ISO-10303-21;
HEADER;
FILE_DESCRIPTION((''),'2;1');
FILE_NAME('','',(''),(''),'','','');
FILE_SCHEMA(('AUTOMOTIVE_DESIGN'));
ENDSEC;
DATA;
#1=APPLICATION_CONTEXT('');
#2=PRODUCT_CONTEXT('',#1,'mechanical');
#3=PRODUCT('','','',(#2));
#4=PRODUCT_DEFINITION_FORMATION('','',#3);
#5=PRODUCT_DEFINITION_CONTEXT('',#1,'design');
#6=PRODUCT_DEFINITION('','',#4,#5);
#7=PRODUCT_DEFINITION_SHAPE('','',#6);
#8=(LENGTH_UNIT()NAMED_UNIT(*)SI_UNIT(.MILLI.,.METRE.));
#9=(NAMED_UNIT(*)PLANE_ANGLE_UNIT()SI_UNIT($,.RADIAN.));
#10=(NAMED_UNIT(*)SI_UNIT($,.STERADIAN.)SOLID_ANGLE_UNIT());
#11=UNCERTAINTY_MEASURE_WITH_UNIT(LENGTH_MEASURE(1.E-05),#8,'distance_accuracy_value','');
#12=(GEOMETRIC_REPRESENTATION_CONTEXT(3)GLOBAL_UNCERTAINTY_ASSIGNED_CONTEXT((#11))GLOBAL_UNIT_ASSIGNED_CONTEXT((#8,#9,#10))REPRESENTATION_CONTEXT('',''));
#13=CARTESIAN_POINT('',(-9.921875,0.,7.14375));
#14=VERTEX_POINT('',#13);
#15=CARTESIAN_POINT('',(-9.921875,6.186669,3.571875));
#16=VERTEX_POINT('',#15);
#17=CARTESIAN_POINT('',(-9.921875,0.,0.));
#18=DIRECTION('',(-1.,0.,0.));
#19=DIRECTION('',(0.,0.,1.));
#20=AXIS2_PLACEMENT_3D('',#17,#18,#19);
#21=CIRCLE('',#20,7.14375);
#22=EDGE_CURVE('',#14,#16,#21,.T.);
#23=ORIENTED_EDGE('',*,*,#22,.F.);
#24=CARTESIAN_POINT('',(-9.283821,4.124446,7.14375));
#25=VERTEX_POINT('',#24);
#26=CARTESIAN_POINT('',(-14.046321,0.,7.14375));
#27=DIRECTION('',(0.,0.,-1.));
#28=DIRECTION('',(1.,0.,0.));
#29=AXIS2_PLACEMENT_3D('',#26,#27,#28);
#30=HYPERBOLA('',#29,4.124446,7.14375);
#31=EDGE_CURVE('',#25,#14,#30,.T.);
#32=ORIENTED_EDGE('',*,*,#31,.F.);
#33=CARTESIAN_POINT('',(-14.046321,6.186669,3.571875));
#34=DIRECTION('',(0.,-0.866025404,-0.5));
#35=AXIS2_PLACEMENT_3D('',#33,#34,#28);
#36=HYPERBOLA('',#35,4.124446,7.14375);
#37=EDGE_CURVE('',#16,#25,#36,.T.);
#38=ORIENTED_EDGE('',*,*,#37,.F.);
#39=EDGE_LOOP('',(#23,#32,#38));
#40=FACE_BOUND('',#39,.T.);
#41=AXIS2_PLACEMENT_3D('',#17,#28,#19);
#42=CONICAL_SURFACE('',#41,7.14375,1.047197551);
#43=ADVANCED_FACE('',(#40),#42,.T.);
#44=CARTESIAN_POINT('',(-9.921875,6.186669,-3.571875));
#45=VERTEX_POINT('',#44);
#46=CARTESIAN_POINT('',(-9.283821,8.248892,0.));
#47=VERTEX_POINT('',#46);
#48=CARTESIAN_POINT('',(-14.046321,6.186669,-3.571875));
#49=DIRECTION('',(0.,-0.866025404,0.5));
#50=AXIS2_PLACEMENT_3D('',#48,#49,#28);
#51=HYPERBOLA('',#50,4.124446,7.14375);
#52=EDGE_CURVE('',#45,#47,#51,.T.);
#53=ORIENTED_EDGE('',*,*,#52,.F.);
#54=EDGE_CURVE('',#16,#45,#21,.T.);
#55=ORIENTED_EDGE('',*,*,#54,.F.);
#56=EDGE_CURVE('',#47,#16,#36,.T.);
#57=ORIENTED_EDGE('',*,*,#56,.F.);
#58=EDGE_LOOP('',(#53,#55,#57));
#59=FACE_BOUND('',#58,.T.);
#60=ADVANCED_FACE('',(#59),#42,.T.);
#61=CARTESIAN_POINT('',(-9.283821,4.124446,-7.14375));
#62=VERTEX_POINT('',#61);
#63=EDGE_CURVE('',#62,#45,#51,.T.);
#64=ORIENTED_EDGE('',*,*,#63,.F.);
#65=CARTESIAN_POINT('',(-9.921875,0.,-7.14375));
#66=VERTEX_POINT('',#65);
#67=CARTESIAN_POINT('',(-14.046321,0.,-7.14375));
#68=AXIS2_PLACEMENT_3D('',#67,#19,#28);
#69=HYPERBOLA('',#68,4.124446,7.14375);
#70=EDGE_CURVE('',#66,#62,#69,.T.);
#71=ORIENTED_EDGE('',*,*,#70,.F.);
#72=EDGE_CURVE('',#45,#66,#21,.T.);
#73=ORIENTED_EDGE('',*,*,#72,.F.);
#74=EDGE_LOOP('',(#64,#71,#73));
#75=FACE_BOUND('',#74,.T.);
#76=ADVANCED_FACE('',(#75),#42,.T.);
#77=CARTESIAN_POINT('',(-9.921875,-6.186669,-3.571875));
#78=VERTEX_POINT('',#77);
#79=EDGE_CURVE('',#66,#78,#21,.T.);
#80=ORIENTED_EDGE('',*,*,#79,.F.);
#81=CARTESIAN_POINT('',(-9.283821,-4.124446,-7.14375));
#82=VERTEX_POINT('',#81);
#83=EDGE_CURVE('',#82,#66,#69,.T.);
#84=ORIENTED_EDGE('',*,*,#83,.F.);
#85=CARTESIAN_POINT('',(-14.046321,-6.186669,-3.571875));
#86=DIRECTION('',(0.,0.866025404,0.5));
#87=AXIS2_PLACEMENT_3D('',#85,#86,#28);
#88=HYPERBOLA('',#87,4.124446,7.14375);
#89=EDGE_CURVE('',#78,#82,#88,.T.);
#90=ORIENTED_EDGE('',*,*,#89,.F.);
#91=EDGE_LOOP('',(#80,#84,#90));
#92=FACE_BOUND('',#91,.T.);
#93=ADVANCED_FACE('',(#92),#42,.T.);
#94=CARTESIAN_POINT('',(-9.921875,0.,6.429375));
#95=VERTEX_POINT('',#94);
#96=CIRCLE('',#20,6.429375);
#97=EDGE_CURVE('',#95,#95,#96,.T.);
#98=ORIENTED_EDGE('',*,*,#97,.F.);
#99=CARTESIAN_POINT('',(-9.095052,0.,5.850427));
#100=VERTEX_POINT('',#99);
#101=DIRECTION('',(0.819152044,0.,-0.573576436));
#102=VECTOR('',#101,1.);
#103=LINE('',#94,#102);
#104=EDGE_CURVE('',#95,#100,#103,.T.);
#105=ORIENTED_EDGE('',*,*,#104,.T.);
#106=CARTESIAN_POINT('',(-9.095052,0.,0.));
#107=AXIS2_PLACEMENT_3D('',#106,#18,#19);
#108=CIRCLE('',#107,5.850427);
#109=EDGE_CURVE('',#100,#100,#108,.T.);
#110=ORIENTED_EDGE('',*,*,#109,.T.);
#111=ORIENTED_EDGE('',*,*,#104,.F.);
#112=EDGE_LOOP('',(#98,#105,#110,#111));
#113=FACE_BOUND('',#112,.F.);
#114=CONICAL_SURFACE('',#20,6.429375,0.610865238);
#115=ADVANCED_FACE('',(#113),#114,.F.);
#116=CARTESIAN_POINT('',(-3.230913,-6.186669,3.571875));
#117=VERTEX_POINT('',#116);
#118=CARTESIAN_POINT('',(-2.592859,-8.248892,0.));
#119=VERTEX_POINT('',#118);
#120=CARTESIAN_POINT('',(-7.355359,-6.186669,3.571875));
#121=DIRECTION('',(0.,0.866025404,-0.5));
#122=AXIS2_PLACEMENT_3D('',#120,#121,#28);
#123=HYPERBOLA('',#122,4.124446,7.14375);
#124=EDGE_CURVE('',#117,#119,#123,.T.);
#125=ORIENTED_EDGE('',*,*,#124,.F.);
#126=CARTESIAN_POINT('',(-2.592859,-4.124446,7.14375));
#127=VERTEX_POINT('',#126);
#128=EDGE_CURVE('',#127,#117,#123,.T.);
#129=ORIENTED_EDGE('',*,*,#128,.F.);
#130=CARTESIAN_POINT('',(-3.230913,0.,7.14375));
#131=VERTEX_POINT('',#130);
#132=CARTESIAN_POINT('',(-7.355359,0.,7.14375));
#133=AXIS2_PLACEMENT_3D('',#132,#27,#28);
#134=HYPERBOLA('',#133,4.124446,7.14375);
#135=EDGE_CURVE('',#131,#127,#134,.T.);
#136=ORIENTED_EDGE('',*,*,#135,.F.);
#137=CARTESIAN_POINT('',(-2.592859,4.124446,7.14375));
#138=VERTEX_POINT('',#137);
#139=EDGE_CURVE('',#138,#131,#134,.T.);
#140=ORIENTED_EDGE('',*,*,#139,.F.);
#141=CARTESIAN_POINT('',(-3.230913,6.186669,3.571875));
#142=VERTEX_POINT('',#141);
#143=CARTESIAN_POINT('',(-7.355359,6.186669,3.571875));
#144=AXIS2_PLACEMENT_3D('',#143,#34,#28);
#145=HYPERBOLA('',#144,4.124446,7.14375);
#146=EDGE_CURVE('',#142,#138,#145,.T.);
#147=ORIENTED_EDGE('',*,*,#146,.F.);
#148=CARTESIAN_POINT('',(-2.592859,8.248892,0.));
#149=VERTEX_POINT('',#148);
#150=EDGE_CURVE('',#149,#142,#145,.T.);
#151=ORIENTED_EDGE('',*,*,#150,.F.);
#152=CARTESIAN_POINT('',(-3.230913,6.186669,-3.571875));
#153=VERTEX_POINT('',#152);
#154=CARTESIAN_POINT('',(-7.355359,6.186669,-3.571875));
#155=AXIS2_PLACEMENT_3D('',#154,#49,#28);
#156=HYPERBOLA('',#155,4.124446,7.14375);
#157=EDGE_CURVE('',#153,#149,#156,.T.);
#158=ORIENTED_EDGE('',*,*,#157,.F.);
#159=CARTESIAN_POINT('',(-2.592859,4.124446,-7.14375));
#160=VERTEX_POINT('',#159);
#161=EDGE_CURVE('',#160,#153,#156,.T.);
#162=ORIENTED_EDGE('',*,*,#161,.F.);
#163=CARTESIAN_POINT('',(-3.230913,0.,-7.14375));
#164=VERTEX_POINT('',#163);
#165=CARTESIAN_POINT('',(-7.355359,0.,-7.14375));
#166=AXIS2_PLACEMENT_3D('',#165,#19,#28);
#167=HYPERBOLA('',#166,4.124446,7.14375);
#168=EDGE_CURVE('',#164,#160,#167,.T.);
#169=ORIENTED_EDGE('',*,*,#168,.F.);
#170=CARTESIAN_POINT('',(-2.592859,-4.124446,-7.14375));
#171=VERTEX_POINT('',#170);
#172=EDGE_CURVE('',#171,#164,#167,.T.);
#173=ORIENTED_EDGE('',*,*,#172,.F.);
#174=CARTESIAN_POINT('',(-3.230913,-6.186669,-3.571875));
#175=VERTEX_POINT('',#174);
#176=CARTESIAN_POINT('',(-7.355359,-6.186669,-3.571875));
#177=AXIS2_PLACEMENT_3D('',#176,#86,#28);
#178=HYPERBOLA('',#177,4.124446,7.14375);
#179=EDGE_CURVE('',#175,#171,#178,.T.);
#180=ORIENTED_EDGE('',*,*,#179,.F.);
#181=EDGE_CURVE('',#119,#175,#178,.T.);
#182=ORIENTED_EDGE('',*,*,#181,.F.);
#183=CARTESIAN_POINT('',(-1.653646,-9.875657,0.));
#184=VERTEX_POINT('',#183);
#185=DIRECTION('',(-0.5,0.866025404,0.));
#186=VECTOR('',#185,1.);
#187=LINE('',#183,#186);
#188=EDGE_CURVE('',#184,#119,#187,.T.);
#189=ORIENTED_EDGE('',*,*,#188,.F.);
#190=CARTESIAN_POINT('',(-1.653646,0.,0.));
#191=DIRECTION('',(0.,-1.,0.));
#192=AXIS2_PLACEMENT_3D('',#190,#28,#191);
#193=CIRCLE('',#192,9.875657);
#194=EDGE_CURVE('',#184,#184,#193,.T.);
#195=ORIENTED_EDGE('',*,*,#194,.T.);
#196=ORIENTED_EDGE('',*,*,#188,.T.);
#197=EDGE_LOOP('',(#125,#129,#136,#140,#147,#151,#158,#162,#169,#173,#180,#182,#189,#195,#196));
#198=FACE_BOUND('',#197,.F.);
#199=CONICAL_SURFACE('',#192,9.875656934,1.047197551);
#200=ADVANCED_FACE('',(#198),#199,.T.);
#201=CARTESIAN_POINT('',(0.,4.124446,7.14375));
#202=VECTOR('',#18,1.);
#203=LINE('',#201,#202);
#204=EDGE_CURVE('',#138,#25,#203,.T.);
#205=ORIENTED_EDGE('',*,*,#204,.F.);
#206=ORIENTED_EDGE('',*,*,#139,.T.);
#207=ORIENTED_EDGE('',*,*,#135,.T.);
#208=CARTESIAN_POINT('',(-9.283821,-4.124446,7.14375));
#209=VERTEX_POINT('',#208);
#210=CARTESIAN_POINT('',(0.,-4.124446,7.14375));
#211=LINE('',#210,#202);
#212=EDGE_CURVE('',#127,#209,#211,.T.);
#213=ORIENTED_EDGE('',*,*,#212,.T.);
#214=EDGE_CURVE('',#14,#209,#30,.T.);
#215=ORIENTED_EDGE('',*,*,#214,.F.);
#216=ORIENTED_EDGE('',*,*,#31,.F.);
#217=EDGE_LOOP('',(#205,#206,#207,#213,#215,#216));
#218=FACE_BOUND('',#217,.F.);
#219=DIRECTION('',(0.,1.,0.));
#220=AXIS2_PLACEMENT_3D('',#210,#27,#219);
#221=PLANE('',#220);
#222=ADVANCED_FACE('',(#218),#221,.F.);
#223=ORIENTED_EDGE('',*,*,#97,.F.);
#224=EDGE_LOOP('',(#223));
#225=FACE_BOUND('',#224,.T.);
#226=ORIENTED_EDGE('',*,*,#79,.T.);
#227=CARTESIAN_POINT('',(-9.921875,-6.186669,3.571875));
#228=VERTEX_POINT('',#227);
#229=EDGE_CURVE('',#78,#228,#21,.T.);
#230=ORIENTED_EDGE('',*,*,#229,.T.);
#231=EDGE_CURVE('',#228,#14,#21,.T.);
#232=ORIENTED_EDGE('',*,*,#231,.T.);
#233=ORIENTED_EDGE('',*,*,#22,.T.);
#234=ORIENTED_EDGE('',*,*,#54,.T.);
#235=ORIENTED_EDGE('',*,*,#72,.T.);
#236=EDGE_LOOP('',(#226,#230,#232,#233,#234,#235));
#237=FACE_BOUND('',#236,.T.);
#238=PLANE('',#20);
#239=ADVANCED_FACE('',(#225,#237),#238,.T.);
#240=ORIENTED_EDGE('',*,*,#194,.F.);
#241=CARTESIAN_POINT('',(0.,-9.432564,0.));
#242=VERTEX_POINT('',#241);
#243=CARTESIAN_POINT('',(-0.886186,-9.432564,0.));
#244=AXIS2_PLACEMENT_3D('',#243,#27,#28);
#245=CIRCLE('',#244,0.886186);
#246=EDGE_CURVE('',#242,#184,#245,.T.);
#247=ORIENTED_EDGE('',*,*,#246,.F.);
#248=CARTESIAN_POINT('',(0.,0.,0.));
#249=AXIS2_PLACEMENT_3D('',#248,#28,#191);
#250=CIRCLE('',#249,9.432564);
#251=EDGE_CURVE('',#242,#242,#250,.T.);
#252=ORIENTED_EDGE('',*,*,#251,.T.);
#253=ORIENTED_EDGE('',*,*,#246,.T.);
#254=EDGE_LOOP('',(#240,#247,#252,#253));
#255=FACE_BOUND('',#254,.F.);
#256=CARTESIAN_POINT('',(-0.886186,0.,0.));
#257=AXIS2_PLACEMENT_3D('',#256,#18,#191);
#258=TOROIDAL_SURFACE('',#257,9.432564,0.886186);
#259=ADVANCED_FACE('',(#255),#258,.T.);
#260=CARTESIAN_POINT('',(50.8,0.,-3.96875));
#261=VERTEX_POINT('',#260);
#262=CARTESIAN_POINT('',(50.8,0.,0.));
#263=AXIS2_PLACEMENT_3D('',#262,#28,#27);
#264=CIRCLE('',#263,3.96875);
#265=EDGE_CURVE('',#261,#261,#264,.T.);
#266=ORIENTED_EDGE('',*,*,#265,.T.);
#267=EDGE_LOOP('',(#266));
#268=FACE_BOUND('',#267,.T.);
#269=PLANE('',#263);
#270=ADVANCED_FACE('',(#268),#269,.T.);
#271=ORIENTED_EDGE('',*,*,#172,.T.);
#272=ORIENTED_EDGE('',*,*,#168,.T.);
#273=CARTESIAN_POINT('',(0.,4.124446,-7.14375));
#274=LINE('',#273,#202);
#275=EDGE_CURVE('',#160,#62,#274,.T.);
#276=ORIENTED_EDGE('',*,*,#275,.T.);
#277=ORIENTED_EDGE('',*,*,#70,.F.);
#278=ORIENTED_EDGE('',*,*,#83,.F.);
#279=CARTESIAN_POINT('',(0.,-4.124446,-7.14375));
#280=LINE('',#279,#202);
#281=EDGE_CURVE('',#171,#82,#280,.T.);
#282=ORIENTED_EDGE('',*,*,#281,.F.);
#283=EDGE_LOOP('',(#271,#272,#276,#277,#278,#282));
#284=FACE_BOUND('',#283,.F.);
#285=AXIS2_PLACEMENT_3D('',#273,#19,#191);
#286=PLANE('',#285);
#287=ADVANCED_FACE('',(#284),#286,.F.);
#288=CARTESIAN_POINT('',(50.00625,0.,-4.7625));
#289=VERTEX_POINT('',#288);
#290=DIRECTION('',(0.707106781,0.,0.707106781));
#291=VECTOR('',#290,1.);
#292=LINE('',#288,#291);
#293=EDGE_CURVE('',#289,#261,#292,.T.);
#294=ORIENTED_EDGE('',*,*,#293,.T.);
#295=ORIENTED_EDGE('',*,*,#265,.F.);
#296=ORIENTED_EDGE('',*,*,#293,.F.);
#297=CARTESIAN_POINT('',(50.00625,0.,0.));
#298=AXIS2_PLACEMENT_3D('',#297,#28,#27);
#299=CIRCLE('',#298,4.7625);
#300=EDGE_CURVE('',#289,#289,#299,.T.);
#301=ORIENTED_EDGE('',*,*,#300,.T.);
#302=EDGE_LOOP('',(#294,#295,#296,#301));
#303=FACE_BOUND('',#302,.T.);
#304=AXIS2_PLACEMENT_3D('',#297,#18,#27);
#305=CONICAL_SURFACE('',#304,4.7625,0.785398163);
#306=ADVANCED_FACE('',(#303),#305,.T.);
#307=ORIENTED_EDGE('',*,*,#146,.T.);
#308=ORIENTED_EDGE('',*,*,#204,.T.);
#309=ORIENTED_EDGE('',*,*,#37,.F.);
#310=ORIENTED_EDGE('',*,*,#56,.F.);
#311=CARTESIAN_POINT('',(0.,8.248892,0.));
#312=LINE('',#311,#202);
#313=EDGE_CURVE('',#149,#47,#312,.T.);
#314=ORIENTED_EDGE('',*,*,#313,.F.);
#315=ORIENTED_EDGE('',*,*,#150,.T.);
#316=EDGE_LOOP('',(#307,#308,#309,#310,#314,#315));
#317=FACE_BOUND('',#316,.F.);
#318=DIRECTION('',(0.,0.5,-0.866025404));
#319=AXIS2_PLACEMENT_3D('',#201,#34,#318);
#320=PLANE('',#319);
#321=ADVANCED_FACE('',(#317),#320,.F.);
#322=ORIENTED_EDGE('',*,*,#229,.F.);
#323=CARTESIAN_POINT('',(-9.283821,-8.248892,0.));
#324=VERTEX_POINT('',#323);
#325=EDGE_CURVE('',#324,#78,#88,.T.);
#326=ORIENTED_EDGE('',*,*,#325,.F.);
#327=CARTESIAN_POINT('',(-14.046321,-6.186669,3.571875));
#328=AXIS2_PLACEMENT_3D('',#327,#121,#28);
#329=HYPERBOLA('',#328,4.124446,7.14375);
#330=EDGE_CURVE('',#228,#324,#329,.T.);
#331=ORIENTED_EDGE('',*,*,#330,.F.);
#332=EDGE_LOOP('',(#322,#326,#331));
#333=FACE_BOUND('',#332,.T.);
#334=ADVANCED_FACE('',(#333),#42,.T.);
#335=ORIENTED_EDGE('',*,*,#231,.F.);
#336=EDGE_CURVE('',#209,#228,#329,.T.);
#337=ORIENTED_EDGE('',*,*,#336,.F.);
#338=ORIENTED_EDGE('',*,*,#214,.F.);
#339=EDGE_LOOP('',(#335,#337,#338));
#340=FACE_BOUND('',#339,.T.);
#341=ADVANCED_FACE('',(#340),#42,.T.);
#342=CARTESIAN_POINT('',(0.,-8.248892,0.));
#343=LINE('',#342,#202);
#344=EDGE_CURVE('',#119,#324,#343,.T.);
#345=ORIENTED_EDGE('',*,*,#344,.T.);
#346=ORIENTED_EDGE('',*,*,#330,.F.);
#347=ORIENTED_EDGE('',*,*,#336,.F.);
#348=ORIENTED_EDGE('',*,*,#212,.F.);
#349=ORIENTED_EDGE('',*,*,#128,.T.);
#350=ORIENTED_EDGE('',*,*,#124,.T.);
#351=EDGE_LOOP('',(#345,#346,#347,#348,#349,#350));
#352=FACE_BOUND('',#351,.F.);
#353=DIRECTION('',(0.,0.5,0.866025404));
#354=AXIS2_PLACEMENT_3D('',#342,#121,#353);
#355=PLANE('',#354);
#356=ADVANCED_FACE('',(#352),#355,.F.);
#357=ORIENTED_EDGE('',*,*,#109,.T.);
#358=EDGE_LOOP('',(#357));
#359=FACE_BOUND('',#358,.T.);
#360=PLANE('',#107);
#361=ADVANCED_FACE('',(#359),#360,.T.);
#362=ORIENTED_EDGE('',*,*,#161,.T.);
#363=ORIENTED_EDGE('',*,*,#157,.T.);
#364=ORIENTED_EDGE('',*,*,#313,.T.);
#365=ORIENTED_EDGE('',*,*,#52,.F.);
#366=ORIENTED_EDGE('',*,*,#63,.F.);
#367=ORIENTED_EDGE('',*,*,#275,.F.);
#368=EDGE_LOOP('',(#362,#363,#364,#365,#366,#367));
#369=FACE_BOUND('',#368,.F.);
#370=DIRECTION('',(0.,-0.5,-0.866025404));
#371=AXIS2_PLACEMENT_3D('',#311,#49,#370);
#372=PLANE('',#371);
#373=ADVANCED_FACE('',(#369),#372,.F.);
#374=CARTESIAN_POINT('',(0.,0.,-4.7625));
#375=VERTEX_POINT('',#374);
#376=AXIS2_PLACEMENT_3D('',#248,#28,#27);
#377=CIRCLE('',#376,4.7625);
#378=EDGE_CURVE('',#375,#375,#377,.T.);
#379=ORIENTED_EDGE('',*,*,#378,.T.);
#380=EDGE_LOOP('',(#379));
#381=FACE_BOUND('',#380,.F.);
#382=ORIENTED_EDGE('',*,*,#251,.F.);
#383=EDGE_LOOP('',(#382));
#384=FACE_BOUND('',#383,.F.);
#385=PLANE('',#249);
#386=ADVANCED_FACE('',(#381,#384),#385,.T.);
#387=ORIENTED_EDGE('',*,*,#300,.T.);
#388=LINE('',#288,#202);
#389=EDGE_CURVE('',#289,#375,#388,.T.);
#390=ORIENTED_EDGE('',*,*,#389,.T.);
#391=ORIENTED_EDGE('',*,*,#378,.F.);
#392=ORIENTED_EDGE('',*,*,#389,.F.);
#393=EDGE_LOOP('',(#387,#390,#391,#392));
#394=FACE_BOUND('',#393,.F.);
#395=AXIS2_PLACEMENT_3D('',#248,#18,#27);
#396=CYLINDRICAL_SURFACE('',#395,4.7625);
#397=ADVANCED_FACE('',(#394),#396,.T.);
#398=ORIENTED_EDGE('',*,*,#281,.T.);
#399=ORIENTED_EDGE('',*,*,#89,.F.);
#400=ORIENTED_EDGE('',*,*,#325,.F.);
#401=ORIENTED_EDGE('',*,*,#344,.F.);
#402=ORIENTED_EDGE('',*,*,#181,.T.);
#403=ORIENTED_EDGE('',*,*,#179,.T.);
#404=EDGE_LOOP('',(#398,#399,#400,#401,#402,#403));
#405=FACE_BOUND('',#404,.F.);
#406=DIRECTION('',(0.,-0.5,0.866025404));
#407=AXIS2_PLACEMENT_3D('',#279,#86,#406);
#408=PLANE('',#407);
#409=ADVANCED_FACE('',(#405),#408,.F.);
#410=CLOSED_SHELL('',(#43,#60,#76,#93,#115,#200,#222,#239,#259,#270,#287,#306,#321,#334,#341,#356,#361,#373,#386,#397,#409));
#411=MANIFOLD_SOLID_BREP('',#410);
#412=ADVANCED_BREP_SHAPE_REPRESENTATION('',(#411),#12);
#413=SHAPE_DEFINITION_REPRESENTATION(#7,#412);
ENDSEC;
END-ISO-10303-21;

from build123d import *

# Parameters (mm, degrees)
SKETCH2_R           = 4.7625
BOSS_EXTRUDE1_DEPTH = 50.8
CHAMFER1_SIZE       = 0.793750063
BOSS_EXTRUDE2_DEPTH = 9.921875
SKETCH5_OUTSIDE_W   = 70.482
SKETCH5_OUTSIDE_H   = 70.482
SKETCH5_OUTSIDE_R   = 7.14375
CUT_EXTRUDE1_DEPTH  = 9.921875
CUT_EXTRUDE1_DRAFT  = -60
SKETCH6_R           = 6.429375
CUT_EXTRUDE2_DEPTH  = 0.826822917
CUT_EXTRUDE2_DRAFT  = -35
SKETCH14_W          = 25.4
SKETCH14_H          = 4.7625


with BuildPart() as part:
    # Sketch2 → Boss-Extrude1 (new body)
    with BuildSketch(Plane(origin=(0, 0, 0), x_dir=(0, 0, -1), z_dir=(1, 0, 0))):
        Circle(SKETCH2_R)
    extrude(amount=BOSS_EXTRUDE1_DEPTH)

    # Chamfer1
    chamfer1_edges = [part.edges().sort_by_distance(p)[0] for p in [
        (50.8, 0, 4.7625),
    ]]
    chamfer(chamfer1_edges, length=CHAMFER1_SIZE)

    # Sketch3 → Boss-Extrude2 (add)
    with BuildSketch(Plane.ZY):
        Polygon((0, 8.248891971), (-7.14375, 4.124445986), (-7.14375, -4.124445986), (0, -8.248891971), (7.14375, -4.124445986), (7.14375, 4.124445986), align=None)
    extrude(amount=BOSS_EXTRUDE2_DEPTH)

    # Sketch4 → Revolve1 (revolve)
    with BuildSketch(Plane.XY, mode=Mode.PRIVATE) as revolve1_sk:
        with BuildLine():
            Line((0, 0), (0, 9.432563869))
            ThreePointArc((0, 9.432563869), (-0.656824283, 10.28855394), (-1.653645833, 9.875656934))
            Line((-1.653645833, 9.875656934), (-3.230913037, 7.14375))
            Line((-3.230913037, 7.14375), (-3.230913037, 0))
            Line((-3.230913037, 0), (0, 0))
        make_face()
    revolve(revolve1_sk.sketch.rotate(Axis((-3.230913037, 0, 0), (1, 0, 0)), 180), axis=Axis((-3.230913037, 0, 0), (1, 0, 0)))


with BuildPart() as cut_extrude1_tool:
    # Sketch5 outside → Cut-Extrude1 (with draft: the straight prism first)
    with BuildSketch(Plane.ZY.offset(9.921875)):
        Rectangle(SKETCH5_OUTSIDE_W, SKETCH5_OUTSIDE_H)
        Circle(SKETCH5_OUTSIDE_R, mode=Mode.SUBTRACT)
    extrude(amount=-CUT_EXTRUDE1_DEPTH)
    # Cut-Extrude1: the draft: its side faces are tilted about the plane it starts from
    cut_extrude1_sides = [cut_extrude1_tool.faces().sort_by_distance(p)[0] for p in [
        (-4.9609375, -35.241, 0),
        (-4.9609375, 0, 35.241),
        (-4.9609375, 35.241, 0),
        (-4.9609375, 0, -35.241),
        (-4.9609375, 0, -7.14375),
    ]]
    draft(cut_extrude1_sides, Plane.ZY.offset(9.921875), CUT_EXTRUDE1_DRAFT)


with BuildPart() as part_1:
    add(part.part)

    # Cut-Extrude1: cut by cut_extrude1_tool
    add(cut_extrude1_tool.part, mode=Mode.SUBTRACT)


with BuildPart() as cut_extrude2_tool:
    # Sketch6 → Cut-Extrude2 (with draft: the straight prism first)
    with BuildSketch(Plane.ZY.offset(9.921875)):
        Circle(SKETCH6_R)
    extrude(amount=-CUT_EXTRUDE2_DEPTH)
    # Cut-Extrude2: the draft: its side faces are tilted about the plane it starts from
    cut_extrude2_sides = [cut_extrude2_tool.faces().sort_by_distance(p)[0] for p in [
        (-9.508463542, 0, -6.429375),
    ]]
    draft(cut_extrude2_sides, Plane.ZY.offset(9.921875), CUT_EXTRUDE2_DRAFT)


with BuildPart() as part_2:
    add(part_1.part)

    # Cut-Extrude2: cut by cut_extrude2_tool
    add(cut_extrude2_tool.part, mode=Mode.SUBTRACT)

    # Sketch14 → Revolve2 (revolve)
    with BuildSketch(Plane.XY, mode=Mode.PRIVATE) as revolve2_sk:
        with Locations((12.7, 2.38125)):
            Rectangle(SKETCH14_W, SKETCH14_H)
    revolve(revolve2_sk.sketch.rotate(Axis((0, 0, 0), (1, 0, 0)), 90), axis=Axis((0, 0, 0), (1, 0, 0)))


solid = part_2.part
